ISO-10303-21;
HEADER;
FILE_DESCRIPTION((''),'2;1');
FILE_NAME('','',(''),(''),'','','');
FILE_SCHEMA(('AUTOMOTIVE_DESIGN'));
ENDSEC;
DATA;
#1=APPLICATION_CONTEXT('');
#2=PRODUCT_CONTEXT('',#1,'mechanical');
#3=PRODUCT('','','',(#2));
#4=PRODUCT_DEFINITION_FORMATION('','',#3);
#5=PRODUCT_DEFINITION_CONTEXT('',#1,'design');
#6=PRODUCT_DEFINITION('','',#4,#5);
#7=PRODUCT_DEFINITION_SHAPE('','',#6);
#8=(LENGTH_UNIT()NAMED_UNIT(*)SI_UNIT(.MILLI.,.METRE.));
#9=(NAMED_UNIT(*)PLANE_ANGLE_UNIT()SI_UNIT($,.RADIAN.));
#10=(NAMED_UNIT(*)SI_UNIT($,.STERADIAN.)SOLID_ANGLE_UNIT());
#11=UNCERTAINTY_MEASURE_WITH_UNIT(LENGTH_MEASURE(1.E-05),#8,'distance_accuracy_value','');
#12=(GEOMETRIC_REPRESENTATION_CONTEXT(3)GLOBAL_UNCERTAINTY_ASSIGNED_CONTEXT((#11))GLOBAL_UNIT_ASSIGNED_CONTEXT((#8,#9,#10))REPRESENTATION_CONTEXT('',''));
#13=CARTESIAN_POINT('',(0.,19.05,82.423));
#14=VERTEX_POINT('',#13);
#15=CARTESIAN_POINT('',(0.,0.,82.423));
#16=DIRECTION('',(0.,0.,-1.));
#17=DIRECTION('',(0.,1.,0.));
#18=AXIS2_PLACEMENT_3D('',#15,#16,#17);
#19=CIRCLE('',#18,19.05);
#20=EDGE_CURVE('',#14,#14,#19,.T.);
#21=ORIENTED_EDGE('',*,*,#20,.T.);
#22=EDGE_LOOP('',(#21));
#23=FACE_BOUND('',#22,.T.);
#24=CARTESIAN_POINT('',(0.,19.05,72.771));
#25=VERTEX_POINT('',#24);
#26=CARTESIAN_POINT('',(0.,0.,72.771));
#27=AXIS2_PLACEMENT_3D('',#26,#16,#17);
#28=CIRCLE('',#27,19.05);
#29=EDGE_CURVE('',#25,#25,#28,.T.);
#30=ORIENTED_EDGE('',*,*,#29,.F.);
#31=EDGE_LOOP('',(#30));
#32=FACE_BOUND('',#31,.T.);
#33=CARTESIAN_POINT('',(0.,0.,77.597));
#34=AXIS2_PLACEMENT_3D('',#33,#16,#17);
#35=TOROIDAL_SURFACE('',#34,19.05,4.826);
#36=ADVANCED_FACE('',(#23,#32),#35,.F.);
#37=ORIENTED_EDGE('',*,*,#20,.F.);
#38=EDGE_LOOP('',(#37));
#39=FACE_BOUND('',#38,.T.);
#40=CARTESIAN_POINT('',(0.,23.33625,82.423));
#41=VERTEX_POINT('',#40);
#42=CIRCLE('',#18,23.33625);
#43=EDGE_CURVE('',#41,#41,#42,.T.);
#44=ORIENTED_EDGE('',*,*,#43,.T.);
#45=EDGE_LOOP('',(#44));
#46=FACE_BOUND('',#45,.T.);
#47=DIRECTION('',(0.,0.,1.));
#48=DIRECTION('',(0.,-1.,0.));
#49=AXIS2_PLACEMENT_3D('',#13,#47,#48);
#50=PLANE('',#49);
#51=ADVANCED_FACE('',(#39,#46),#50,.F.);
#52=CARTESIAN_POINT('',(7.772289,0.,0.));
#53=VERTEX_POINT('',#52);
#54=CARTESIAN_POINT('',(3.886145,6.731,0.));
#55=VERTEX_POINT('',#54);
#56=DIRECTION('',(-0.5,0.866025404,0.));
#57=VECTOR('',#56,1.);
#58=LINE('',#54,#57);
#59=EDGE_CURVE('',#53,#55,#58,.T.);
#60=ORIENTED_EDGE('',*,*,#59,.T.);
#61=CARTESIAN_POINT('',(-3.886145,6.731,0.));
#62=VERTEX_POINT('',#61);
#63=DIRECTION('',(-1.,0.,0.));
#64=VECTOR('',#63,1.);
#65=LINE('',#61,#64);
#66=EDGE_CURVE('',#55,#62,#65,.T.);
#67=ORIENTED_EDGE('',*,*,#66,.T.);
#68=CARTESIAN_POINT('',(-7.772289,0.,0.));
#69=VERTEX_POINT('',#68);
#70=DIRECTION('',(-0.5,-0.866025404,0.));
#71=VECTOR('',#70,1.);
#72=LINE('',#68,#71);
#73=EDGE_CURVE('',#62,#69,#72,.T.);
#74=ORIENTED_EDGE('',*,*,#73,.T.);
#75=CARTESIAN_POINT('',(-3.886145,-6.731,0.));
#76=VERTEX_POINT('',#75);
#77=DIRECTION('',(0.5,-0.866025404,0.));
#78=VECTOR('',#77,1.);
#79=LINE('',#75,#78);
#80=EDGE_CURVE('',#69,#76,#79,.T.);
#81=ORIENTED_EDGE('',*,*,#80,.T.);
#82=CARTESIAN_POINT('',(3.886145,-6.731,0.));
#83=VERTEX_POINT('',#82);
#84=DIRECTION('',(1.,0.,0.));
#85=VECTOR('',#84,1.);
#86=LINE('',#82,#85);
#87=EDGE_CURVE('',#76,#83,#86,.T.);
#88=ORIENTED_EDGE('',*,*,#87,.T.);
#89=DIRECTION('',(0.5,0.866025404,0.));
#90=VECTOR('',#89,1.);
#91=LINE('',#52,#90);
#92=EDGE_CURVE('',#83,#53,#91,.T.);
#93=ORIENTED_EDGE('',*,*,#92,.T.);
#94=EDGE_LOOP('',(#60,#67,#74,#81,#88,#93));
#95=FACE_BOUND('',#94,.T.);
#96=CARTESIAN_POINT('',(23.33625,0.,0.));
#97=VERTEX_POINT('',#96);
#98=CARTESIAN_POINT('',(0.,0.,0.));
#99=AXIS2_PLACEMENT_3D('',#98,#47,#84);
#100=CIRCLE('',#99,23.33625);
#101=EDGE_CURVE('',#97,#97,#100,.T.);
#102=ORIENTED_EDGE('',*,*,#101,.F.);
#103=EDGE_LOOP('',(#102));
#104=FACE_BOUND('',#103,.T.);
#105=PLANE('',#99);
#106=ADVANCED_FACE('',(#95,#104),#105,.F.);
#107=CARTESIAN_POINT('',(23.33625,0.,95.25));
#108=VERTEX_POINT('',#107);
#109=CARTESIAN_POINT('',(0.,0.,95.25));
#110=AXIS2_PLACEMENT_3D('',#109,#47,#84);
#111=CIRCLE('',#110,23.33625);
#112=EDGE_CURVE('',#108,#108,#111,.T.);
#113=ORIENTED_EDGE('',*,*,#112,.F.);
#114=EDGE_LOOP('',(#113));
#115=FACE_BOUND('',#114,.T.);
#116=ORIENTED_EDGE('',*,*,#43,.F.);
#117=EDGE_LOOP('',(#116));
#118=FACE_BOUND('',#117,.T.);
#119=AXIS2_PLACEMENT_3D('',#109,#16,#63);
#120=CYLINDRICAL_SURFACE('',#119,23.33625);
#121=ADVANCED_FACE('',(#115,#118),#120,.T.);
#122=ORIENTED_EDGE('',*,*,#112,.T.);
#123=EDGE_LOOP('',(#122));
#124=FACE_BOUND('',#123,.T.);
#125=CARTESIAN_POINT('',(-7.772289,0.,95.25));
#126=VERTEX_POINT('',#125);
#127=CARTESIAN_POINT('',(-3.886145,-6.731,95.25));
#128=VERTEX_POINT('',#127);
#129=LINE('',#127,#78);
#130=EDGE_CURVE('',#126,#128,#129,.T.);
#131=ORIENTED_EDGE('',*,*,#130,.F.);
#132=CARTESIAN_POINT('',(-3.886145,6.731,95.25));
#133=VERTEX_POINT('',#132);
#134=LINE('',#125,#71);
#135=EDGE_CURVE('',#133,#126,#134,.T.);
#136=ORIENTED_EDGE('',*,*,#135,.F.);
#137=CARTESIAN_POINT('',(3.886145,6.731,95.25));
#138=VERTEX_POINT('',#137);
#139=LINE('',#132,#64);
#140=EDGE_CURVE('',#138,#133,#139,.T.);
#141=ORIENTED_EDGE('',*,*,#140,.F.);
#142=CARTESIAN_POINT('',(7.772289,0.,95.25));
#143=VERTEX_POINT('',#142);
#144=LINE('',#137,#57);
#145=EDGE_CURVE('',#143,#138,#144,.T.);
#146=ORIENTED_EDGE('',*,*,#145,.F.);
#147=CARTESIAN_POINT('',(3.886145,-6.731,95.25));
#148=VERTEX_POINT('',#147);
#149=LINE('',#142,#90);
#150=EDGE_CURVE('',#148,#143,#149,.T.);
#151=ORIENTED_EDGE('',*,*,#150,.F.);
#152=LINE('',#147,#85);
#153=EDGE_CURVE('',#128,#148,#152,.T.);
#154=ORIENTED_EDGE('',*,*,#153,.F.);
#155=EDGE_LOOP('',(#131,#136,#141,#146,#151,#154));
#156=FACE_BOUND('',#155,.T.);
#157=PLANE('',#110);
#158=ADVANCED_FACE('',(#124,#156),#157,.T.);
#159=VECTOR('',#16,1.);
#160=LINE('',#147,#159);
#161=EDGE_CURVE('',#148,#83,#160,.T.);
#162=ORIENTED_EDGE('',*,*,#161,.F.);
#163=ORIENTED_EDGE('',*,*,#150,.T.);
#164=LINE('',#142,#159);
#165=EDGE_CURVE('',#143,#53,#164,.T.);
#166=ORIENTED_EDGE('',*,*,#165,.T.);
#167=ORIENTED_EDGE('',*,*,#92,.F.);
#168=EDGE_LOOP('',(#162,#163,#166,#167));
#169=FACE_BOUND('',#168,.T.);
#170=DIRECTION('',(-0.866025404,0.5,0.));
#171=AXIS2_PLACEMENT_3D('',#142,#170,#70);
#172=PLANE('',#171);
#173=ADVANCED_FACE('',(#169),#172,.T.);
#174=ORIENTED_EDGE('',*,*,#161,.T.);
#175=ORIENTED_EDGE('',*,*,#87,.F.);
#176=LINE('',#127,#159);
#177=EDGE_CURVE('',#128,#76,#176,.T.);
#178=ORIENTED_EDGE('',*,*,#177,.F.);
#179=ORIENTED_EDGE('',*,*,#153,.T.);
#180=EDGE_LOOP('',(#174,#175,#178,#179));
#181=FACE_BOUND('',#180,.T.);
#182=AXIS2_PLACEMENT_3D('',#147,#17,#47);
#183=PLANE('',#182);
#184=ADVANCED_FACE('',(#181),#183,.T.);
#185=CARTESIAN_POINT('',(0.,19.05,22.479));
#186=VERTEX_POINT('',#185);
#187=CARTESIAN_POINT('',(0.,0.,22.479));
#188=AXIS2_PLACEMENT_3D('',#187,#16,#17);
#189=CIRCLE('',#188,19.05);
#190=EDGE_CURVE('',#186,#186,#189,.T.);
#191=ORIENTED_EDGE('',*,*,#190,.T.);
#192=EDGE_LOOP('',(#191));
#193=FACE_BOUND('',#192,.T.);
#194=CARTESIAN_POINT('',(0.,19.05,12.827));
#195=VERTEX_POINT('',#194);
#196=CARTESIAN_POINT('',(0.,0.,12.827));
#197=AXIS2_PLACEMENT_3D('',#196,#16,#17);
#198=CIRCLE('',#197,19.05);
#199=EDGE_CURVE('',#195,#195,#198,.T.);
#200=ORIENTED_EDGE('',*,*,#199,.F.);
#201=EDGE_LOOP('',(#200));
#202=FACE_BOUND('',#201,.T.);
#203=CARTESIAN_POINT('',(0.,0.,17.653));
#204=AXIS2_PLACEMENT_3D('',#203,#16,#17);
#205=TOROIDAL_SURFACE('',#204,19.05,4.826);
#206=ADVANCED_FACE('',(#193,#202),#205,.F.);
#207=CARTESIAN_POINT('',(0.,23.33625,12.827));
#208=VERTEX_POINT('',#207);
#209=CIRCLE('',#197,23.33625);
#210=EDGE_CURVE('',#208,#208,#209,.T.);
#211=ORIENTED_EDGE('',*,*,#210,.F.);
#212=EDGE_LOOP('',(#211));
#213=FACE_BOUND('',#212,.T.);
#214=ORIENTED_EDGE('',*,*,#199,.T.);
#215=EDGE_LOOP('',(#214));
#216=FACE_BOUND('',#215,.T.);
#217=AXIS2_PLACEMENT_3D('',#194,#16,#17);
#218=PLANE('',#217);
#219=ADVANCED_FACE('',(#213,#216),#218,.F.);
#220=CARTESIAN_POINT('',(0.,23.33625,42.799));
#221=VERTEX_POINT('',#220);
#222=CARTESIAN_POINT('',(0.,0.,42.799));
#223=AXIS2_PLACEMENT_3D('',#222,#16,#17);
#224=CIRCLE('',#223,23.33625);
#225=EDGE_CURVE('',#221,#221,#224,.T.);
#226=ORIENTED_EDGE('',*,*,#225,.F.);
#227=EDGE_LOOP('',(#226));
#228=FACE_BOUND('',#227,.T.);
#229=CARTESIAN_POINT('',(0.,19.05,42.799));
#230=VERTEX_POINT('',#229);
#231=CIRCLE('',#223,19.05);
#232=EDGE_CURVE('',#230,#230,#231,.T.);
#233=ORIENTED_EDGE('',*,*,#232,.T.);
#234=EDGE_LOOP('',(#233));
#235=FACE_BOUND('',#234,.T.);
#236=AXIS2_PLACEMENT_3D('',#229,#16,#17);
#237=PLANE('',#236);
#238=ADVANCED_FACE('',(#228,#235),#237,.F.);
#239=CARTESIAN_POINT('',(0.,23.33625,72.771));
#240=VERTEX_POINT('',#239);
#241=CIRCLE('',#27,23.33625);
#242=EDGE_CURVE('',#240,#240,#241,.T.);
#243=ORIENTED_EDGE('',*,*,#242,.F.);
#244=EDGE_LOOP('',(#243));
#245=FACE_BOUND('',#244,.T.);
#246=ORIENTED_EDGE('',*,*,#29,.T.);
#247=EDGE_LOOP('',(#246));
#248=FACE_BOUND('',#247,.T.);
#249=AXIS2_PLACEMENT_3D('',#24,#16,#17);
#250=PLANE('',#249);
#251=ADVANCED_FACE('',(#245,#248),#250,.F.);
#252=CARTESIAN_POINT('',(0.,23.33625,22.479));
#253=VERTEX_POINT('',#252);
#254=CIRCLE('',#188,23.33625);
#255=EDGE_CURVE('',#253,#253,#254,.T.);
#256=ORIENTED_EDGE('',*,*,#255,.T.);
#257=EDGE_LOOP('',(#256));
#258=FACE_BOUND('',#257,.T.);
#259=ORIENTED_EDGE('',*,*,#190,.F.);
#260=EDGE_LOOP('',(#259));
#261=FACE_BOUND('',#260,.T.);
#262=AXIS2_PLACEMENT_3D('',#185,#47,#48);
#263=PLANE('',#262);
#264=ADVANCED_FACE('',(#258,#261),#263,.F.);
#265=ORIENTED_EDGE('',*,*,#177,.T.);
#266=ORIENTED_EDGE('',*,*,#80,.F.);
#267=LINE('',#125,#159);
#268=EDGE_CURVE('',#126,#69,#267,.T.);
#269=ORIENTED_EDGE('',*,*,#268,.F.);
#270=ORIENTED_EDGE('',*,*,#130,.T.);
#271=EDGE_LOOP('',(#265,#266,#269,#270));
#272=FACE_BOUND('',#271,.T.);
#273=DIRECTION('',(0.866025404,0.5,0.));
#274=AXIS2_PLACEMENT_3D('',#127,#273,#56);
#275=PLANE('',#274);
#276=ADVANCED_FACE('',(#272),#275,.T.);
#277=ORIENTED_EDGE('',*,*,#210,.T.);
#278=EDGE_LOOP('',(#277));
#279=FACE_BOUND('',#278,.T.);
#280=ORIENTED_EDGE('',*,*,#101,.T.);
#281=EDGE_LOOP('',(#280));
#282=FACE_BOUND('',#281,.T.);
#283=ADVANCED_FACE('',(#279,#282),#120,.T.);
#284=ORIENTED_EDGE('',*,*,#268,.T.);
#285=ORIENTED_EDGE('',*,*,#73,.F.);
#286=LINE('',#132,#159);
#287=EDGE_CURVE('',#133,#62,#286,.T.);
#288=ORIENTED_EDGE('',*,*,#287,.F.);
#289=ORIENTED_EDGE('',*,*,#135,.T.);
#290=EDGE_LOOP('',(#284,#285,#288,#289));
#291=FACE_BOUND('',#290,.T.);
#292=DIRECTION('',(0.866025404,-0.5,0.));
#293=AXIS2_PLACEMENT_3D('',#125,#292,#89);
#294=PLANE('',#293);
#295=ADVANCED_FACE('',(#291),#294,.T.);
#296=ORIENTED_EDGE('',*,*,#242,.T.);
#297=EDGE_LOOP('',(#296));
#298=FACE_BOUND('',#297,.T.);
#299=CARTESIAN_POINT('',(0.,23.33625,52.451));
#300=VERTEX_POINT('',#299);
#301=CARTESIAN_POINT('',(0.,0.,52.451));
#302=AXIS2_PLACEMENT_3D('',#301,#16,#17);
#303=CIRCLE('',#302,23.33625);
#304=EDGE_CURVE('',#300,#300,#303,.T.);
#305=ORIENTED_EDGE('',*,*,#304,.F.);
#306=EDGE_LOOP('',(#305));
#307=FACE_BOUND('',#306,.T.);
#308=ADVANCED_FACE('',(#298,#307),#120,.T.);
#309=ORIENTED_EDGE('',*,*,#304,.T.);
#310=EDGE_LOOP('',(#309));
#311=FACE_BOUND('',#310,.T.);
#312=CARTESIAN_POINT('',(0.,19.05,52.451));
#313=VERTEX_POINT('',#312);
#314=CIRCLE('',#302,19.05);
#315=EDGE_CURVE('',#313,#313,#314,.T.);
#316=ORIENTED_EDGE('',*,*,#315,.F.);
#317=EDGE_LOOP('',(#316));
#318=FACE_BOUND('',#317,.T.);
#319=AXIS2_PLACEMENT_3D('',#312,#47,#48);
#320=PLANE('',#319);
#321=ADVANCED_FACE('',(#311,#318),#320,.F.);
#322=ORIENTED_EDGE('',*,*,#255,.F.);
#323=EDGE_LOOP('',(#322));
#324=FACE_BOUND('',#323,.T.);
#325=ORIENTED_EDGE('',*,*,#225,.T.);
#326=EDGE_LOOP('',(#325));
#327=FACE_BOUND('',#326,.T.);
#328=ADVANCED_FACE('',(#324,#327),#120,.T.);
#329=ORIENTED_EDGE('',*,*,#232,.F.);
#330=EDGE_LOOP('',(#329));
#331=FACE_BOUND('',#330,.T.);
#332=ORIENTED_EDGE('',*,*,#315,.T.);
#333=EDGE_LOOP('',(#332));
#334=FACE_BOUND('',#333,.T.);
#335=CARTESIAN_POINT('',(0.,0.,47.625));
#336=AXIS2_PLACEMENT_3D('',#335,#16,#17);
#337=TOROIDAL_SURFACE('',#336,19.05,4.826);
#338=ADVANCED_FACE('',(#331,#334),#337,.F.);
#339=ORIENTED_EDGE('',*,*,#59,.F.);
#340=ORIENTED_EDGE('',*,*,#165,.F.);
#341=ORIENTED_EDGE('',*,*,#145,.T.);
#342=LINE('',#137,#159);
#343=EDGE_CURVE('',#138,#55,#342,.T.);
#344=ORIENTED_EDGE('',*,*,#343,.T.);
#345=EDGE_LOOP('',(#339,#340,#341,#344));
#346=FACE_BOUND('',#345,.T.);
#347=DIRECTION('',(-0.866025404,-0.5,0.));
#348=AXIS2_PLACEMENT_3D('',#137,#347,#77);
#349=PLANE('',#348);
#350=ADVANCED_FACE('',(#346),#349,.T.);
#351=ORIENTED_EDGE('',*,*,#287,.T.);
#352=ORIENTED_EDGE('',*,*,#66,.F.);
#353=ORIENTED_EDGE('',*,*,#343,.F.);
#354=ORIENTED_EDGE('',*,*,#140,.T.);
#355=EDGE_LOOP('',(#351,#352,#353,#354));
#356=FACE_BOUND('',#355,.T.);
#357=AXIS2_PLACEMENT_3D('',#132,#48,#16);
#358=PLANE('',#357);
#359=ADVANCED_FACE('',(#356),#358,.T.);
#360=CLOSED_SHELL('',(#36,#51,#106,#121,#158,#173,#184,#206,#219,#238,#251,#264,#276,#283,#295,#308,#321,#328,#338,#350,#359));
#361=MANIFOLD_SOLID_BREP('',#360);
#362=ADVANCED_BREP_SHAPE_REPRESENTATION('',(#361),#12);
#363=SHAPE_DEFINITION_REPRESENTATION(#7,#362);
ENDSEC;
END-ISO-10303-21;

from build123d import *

# Parameters (mm, degrees)
SKETCH1_R           = 23.33625
BOSS_EXTRUDE1_DEPTH = 95.25


with BuildPart() as part:
    # Sketch1 → Boss-Extrude1 (new body)
    with BuildSketch(Plane.XY):
        Circle(SKETCH1_R)
        Polygon((-3.886144662, 6.731), (3.886144662, 6.731), (7.772289324, 0), (3.886144662, -6.731), (-3.886144662, -6.731), (-7.772289324, 0), align=None, mode=Mode.SUBTRACT)
    extrude(amount=BOSS_EXTRUDE1_DEPTH)

    # Sketch2 → Cut-Revolve1 (revolve, cut)
    with BuildSketch(Plane(origin=(0, 0, 0), x_dir=(0, 0, -1), z_dir=(1, 0, 0))):
        with BuildLine():
            Line((-82.423, 23.33625), (-72.771, 23.33625))
            Line((-72.771, 23.33625), (-72.771, 19.05))
            ThreePointArc((-72.771, 19.05), (-77.597, 14.224), (-82.423, 19.05))
            Line((-82.423, 19.05), (-82.423, 23.33625))
        make_face()
        with BuildLine():
            Line((-52.451, 19.05), (-52.451, 23.33625))
            Line((-52.451, 23.33625), (-42.799, 23.33625))
            Line((-42.799, 23.33625), (-42.799, 19.05))
            ThreePointArc((-42.799, 19.05), (-47.625, 14.224), (-52.451, 19.05))
        make_face()
        with BuildLine():
            Line((-22.479, 19.05), (-22.479, 23.33625))
            Line((-22.479, 23.33625), (-12.827, 23.33625))
            Line((-12.827, 23.33625), (-12.827, 19.05))
            ThreePointArc((-12.827, 19.05), (-17.653, 14.224), (-22.479, 19.05))
        make_face()
    revolve(axis=Axis((0, 0, 0), (0, 0, 1)), mode=Mode.SUBTRACT)


solid = part.part
